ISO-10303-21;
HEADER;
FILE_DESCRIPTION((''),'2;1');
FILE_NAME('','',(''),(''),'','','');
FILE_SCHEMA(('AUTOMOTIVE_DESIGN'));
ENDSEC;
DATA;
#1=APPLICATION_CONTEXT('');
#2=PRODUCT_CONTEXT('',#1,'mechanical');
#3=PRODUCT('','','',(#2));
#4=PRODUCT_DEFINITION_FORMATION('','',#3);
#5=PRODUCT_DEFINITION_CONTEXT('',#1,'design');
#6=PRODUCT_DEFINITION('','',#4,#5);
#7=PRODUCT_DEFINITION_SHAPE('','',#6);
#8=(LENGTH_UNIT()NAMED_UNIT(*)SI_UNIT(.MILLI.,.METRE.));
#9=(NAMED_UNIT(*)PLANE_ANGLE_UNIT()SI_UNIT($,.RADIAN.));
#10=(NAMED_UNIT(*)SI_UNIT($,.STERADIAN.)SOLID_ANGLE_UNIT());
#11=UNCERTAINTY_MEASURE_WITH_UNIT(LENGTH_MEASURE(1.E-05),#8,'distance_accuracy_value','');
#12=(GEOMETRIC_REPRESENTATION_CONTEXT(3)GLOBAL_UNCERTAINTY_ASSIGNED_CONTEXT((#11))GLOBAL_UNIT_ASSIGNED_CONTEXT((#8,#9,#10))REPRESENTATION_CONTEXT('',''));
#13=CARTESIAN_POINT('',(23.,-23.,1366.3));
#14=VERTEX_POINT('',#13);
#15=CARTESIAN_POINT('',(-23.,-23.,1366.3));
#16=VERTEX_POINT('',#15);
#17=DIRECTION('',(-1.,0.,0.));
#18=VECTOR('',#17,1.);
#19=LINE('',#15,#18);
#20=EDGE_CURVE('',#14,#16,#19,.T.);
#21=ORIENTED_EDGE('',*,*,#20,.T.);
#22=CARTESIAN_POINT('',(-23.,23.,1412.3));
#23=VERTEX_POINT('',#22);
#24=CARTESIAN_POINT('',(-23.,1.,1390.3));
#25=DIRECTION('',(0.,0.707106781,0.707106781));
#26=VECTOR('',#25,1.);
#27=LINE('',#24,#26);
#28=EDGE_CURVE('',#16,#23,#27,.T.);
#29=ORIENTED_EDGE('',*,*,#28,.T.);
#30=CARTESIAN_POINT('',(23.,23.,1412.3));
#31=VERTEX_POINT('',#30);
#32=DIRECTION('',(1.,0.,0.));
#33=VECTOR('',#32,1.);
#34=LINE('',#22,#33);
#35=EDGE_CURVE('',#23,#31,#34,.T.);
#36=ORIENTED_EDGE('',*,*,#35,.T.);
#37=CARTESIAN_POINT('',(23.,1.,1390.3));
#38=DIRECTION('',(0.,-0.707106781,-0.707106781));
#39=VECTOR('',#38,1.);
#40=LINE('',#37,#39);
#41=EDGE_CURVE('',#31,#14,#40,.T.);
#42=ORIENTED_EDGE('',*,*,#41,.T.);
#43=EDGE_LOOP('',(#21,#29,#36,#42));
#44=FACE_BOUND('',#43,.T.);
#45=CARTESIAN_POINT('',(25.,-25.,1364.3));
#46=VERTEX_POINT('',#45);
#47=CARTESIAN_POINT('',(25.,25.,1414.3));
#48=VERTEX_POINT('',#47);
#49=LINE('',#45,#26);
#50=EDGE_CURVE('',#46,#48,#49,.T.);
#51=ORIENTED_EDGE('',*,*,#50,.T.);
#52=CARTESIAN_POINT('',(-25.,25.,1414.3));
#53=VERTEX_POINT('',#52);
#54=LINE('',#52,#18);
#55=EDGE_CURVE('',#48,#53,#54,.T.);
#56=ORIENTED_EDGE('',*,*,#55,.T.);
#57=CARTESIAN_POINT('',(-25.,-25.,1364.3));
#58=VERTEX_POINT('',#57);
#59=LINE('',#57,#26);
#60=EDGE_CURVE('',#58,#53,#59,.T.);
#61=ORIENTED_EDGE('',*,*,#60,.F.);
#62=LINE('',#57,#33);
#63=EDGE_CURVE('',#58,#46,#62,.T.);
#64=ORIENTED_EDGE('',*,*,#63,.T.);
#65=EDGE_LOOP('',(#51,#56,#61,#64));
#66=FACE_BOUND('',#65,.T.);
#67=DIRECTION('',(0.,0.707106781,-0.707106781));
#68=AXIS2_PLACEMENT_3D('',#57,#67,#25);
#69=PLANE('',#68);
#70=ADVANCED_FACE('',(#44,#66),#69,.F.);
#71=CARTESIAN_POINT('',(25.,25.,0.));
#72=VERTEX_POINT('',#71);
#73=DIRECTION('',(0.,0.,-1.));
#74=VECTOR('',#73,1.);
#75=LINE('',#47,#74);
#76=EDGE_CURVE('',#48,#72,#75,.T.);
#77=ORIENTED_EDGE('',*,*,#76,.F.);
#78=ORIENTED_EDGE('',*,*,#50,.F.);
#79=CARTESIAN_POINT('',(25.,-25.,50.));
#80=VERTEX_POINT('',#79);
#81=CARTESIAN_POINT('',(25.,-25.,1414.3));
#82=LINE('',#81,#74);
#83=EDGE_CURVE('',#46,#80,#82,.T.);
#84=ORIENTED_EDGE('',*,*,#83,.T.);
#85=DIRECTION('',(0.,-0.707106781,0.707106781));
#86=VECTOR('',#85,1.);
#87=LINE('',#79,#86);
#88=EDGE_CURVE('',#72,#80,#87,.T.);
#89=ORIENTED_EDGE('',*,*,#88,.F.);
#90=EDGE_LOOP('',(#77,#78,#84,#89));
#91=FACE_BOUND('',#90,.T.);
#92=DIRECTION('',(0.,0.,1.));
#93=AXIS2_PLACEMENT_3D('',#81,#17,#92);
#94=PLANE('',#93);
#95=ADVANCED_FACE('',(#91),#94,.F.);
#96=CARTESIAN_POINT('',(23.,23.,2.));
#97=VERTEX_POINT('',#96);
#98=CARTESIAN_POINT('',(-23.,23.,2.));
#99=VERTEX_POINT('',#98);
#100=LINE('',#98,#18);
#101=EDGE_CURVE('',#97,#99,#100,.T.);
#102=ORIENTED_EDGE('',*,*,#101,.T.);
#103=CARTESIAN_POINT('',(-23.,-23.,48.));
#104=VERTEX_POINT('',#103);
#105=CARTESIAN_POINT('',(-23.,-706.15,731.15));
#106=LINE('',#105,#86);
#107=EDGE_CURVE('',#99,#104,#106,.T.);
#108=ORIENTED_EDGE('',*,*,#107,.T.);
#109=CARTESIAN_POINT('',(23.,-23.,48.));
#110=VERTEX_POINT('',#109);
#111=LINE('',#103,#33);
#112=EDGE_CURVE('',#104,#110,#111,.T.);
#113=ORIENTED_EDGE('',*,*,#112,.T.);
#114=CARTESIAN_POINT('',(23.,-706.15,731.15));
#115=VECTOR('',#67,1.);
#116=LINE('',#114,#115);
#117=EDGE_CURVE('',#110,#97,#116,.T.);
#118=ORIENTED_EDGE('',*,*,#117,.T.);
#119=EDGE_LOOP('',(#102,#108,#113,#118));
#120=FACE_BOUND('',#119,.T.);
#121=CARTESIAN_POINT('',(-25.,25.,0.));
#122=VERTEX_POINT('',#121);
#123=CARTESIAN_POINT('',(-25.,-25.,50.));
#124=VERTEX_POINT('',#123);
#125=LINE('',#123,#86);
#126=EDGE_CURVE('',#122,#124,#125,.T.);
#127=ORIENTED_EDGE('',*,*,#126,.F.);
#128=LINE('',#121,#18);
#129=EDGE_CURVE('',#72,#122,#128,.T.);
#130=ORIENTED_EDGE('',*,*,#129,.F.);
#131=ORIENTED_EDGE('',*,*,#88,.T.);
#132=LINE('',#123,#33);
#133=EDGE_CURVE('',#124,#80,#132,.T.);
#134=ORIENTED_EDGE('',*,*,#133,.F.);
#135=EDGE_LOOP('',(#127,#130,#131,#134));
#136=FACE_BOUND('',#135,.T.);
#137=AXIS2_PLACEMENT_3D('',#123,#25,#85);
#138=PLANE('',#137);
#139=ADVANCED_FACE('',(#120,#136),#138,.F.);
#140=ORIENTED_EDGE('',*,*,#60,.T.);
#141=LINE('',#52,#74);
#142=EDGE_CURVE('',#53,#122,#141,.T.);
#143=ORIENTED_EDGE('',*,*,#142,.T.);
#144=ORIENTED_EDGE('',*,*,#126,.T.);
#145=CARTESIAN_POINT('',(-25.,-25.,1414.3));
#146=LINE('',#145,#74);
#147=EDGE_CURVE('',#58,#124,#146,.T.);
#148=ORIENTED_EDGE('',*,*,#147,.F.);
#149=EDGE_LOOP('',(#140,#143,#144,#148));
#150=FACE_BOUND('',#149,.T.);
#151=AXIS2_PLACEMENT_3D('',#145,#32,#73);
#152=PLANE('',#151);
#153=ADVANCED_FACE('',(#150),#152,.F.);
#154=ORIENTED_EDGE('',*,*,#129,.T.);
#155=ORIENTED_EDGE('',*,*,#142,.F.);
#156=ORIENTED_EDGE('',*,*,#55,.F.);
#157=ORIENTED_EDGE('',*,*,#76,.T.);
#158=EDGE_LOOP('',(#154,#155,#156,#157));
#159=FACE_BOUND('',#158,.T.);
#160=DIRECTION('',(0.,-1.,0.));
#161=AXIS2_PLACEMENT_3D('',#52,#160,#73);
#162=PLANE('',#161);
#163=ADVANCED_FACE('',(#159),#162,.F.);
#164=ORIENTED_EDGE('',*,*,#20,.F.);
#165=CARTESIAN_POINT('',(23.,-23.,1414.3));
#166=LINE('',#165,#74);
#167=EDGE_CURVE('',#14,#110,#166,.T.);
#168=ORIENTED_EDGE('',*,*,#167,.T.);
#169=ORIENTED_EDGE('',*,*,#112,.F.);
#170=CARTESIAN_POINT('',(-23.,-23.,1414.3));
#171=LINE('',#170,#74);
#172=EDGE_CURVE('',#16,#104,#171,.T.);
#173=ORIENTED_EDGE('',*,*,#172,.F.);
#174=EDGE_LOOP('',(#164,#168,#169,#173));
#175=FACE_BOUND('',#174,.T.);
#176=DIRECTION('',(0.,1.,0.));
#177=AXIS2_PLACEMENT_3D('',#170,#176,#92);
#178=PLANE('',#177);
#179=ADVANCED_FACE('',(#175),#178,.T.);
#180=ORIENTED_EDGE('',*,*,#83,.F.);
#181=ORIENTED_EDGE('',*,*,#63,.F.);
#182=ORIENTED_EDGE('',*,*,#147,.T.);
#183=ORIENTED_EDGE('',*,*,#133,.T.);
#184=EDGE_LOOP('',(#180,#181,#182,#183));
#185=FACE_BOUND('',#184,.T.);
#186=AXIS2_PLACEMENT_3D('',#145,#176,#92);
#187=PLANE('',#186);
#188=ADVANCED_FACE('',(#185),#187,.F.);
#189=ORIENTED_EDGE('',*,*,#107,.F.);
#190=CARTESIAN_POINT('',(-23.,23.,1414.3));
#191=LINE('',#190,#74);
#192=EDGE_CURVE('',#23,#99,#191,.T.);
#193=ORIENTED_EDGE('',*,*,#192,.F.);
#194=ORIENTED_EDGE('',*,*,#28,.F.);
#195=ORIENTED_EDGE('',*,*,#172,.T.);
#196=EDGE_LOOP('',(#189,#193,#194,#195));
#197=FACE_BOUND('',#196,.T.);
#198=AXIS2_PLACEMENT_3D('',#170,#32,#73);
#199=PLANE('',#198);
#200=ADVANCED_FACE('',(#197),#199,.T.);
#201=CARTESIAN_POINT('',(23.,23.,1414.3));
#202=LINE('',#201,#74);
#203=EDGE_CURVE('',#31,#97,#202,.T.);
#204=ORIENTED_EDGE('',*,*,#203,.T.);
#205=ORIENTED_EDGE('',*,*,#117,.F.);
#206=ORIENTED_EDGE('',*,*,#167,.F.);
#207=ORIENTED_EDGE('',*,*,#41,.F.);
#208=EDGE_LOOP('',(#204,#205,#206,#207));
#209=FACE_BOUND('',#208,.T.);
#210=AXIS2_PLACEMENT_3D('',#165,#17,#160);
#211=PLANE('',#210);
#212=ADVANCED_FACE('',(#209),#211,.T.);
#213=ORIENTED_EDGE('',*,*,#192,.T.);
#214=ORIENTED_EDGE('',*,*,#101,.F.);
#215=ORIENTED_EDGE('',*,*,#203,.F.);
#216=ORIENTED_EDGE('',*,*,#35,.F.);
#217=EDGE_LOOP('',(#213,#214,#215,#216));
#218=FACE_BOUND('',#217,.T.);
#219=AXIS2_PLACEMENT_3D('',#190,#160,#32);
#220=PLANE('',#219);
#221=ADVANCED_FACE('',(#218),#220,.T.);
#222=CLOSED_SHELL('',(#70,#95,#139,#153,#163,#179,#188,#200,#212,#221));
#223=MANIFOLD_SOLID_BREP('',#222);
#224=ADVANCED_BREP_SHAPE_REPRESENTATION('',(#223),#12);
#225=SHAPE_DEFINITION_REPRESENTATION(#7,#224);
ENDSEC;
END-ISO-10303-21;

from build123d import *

# Parameters (mm, degrees)
SKETCH1_W           = 50
SKETCH1_H           = 50
SKETCH1_W_2         = 46
SKETCH1_H_2         = 46
BOSS_EXTRUDE1_DEPTH = 1414.3
CUT_EXTRUDE1_DEPTH  = 1416.404355652


with BuildPart() as part:
    # Sketch1 → Boss-Extrude1 (new body)
    with BuildSketch(Plane.XY):
        Rectangle(SKETCH1_W, SKETCH1_H)
        Rectangle(SKETCH1_W_2, SKETCH1_H_2, mode=Mode.SUBTRACT)
    extrude(amount=BOSS_EXTRUDE1_DEPTH)

    # Sketch2 → Cut-Extrude1 (cut, through all)
    with BuildSketch(Plane(origin=(25, 0, 0), x_dir=(0, 0, -1), z_dir=(1, 0, 0))):
        Polygon((-1414.3, 25), (-1414.3, -25), (-1364.3, -25), align=None)
        Polygon((0, 25), (0, -25), (-50, -25), align=None)
    extrude(amount=-CUT_EXTRUDE1_DEPTH, mode=Mode.SUBTRACT)


solid = part.part
